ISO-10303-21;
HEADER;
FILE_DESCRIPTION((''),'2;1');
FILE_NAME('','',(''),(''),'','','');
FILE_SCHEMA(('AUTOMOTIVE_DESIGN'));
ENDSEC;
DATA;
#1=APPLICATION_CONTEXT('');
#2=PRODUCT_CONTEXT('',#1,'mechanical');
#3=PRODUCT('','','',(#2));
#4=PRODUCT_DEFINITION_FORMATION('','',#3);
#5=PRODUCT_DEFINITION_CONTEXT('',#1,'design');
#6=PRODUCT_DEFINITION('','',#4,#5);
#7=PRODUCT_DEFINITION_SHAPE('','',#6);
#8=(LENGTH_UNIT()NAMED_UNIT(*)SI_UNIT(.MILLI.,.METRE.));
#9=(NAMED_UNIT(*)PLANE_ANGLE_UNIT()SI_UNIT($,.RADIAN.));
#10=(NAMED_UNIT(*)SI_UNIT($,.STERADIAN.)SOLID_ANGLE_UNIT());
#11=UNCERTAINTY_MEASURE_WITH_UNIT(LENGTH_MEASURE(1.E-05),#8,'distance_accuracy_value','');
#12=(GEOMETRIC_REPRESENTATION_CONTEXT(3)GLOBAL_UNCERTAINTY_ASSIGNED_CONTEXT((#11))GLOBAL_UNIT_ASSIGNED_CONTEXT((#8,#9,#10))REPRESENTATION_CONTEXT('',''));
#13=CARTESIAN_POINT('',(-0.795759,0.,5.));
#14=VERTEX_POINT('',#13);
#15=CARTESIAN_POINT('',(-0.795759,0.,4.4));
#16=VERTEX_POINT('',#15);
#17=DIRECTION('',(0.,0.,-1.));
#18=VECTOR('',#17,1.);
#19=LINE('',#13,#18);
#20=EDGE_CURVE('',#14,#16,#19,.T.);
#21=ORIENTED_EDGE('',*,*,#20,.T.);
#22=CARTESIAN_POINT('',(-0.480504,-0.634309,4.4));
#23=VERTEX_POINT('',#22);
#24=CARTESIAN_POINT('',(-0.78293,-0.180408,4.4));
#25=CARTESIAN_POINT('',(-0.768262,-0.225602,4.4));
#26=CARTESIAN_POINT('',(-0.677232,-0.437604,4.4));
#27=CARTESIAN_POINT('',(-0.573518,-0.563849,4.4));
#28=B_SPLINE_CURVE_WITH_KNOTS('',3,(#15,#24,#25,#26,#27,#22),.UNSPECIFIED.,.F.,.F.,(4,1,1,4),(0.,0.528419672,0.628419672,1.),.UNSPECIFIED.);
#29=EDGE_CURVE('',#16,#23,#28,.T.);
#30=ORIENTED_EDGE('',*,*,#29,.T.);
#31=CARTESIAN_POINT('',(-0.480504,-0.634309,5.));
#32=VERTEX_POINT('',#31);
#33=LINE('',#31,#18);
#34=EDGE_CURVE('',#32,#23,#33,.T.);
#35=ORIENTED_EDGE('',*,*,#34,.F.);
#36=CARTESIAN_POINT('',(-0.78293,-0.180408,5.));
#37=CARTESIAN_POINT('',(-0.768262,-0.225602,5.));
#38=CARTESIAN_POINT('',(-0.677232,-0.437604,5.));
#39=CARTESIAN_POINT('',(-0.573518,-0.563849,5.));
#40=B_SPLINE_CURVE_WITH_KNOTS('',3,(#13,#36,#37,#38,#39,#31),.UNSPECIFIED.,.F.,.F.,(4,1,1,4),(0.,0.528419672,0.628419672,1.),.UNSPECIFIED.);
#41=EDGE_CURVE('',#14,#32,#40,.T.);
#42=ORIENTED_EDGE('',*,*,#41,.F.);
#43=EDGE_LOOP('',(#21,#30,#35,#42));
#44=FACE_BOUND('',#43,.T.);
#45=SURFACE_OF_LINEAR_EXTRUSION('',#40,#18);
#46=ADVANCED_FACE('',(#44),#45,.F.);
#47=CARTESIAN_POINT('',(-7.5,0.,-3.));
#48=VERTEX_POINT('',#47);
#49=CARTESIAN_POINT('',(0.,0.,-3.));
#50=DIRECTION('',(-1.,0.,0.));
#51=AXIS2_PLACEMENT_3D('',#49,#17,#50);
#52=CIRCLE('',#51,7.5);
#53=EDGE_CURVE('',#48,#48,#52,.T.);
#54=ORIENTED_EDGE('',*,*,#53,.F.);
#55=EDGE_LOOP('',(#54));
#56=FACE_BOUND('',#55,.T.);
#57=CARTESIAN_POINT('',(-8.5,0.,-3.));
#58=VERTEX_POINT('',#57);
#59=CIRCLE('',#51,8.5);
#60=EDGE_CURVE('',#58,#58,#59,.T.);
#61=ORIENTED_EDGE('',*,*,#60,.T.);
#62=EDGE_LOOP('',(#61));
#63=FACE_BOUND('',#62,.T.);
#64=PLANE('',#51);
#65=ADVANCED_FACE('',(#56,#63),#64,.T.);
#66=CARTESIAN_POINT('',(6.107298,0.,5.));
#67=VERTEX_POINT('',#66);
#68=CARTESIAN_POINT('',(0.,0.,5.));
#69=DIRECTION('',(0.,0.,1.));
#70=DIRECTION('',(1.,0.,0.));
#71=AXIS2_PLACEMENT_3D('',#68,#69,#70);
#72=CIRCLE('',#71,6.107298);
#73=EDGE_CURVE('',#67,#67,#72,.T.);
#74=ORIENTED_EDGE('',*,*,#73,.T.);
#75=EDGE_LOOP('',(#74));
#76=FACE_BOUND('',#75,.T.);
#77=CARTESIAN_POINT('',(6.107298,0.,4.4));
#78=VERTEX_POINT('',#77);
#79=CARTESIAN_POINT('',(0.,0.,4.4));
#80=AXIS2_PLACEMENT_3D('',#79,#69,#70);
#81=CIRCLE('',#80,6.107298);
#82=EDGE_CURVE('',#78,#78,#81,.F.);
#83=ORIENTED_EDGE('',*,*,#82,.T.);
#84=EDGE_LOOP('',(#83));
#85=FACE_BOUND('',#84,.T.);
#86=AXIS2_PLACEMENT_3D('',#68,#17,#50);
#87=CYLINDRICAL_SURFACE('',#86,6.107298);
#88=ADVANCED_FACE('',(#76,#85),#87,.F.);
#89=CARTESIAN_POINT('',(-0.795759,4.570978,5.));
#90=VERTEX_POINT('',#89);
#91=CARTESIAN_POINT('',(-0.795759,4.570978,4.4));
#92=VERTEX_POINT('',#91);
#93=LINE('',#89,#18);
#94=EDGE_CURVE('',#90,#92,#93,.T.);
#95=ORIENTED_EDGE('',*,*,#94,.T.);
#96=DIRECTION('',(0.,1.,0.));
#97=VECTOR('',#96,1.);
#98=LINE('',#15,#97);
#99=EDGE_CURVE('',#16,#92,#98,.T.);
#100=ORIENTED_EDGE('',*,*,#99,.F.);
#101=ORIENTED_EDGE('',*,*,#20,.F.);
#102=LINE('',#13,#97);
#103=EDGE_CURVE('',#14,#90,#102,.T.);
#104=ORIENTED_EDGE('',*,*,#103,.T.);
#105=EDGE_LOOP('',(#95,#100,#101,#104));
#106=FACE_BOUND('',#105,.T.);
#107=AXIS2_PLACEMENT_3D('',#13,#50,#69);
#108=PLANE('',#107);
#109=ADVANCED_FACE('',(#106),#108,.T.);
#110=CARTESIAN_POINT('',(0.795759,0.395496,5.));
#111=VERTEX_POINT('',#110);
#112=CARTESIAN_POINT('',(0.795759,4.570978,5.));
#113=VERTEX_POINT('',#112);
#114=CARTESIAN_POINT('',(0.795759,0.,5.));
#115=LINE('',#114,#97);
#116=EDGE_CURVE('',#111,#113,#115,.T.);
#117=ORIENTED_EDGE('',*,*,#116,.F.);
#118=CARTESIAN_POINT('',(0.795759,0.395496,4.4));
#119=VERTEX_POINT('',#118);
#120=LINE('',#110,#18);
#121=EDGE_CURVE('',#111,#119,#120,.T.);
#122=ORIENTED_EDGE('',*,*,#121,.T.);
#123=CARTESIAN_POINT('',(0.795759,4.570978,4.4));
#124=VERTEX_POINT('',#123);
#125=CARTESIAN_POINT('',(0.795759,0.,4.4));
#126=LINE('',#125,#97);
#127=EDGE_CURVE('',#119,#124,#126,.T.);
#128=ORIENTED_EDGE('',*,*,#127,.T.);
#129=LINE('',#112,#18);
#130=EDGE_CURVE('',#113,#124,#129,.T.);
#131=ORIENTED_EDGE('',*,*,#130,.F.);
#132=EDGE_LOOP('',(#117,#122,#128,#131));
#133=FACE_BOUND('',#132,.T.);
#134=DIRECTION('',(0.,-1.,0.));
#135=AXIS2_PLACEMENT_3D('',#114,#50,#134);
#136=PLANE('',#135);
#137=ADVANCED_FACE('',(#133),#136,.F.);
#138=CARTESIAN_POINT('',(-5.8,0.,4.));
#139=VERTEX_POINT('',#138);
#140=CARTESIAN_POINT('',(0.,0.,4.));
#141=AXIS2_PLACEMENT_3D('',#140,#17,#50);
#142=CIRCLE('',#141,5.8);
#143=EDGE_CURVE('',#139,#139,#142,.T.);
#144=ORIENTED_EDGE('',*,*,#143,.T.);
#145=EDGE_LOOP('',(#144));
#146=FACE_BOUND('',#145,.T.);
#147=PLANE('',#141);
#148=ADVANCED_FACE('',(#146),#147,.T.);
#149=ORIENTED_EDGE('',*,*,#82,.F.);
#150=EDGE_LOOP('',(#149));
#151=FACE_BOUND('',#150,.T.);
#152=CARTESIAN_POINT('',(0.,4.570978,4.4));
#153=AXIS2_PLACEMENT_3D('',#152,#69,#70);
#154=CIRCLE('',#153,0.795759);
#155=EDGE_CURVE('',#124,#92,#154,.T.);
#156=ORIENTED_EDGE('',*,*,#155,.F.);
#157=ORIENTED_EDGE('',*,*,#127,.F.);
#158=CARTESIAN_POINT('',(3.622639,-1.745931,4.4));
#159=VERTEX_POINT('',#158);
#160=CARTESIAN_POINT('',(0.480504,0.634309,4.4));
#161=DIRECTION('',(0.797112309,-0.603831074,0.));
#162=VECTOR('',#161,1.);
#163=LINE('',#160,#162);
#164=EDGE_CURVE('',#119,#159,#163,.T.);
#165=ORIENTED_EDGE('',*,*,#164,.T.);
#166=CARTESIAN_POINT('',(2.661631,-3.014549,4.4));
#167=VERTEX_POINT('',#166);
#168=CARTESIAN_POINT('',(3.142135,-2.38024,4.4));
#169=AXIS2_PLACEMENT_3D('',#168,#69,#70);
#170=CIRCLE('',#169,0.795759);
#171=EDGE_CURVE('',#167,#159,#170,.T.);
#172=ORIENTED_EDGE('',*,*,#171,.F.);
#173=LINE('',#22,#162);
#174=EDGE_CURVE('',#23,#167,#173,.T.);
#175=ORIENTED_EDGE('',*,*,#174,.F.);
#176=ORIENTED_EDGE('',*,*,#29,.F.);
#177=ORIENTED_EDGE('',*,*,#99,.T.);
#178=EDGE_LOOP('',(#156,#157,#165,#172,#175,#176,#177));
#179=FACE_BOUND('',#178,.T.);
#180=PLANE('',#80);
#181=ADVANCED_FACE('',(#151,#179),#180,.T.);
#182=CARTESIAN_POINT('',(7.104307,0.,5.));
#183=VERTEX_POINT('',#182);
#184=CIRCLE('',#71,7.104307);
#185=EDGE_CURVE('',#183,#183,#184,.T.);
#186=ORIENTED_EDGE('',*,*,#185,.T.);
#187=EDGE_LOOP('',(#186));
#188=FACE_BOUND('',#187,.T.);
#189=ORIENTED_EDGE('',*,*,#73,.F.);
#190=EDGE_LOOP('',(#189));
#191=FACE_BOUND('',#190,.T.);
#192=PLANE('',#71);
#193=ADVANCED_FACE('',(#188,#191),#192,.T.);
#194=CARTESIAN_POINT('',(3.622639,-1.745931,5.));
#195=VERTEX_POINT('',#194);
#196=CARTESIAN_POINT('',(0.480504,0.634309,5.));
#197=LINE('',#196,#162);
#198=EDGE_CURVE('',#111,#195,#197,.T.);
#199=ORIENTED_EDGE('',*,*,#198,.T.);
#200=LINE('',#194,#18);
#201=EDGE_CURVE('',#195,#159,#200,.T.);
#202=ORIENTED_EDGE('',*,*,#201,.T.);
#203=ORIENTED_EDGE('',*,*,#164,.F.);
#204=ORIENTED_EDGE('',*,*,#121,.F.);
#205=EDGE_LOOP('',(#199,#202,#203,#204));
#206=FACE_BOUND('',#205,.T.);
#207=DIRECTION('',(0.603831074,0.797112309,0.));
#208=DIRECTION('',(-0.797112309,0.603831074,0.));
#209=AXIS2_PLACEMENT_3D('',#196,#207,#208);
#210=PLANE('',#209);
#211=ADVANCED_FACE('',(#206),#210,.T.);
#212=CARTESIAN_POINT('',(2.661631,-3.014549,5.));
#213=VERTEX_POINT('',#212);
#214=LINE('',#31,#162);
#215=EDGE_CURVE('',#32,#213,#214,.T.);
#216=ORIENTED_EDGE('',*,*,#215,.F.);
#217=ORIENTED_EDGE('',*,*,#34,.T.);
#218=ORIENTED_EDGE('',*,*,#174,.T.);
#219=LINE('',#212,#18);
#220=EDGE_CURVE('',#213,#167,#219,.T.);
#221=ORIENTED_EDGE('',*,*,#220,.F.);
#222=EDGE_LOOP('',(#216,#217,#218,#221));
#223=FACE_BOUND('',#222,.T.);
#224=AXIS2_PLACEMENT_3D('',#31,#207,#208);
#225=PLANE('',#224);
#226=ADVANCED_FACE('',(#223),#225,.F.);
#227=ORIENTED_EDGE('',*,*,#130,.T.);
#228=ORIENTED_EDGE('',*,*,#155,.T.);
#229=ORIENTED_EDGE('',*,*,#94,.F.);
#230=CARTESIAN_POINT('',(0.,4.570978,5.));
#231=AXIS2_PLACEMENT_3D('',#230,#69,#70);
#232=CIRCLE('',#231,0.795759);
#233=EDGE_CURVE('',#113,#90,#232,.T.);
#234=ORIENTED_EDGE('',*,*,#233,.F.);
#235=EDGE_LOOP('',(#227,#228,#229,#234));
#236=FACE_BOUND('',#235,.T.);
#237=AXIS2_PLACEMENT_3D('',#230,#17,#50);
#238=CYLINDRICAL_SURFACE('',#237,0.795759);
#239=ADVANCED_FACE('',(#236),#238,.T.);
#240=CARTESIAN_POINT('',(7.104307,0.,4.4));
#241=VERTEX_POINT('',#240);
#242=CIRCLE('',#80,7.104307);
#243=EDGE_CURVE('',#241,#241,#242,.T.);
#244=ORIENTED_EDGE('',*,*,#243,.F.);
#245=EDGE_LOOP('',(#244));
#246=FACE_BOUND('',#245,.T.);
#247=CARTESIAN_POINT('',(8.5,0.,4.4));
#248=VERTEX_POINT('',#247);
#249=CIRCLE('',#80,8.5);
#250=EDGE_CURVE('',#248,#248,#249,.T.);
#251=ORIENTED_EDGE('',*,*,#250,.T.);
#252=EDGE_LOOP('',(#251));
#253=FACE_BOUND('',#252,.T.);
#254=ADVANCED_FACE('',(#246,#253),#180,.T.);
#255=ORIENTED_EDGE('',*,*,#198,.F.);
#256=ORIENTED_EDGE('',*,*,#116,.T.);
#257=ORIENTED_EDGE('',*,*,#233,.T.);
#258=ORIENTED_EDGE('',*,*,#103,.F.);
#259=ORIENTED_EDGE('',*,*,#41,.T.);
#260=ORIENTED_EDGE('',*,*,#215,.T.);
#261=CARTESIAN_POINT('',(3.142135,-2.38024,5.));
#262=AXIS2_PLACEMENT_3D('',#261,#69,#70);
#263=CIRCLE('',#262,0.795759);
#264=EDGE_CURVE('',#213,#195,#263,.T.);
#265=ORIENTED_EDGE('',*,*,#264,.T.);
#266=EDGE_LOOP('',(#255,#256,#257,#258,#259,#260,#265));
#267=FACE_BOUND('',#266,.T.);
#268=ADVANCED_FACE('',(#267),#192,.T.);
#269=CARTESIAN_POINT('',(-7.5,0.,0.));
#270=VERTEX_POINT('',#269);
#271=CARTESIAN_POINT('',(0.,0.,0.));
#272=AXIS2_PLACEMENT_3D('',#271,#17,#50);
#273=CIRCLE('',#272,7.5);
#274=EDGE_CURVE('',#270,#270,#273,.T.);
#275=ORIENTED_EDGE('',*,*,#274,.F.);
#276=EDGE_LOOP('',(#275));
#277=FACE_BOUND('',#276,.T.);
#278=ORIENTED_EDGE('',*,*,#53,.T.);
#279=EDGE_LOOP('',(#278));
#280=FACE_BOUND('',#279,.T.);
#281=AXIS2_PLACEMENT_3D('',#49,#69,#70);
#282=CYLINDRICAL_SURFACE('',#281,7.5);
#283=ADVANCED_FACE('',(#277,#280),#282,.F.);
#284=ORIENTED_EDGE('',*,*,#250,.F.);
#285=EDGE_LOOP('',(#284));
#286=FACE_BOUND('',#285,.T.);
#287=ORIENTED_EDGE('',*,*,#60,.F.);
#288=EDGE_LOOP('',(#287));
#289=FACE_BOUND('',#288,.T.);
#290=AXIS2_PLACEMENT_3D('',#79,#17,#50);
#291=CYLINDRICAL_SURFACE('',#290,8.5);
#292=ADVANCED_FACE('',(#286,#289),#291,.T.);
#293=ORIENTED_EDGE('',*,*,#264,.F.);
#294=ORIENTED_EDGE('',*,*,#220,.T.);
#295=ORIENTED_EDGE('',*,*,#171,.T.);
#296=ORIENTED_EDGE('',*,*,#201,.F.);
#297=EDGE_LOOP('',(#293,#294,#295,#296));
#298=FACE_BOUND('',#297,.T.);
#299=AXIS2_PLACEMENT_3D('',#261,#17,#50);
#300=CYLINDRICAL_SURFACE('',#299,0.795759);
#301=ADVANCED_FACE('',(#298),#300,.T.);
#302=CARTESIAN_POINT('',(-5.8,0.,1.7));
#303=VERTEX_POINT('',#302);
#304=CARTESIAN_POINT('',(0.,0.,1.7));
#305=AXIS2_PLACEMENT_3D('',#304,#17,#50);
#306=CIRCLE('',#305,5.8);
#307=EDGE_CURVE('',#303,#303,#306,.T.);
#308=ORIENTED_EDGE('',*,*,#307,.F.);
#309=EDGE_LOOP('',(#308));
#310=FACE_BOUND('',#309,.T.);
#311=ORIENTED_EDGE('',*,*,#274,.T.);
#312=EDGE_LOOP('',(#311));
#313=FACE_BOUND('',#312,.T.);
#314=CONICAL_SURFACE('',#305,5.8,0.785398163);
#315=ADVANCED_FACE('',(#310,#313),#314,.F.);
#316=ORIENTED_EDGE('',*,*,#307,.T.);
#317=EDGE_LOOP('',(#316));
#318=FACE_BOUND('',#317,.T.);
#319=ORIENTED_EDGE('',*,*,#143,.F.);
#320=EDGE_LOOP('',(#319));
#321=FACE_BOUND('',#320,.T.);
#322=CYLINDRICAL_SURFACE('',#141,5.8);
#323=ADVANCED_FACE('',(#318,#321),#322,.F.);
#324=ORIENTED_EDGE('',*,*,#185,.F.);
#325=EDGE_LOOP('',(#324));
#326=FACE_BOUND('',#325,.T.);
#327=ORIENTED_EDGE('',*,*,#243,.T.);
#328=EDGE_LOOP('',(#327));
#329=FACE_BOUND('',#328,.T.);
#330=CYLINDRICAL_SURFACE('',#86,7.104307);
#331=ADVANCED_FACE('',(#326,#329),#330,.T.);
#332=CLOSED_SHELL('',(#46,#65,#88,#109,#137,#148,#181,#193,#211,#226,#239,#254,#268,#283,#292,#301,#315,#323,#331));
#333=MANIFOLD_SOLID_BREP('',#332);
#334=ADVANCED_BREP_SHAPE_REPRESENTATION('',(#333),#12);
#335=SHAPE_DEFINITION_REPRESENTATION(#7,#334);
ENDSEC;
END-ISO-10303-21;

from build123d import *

# Parameters (mm, degrees)
SKETCH1_R           = 8.5
BOSS_EXTRUDE1_DEPTH = 4.4
SKETCH2_R           = 7.104307479
SKETCH2_R_2         = 6.107298405
BOSS_EXTRUDE2_DEPTH = 0.6
SKETCH3_R           = 5.8
CUT_EXTRUDE1_DEPTH  = 4
BOSS_EXTRUDE3_START = 3
SKETCH4_R           = 8.5
SKETCH4_R_2         = 7.5
BOSS_EXTRUDE3_DEPTH = 3


with BuildPart() as part:
    # Sketch1 → Boss-Extrude1 (new body)
    with BuildSketch(Plane.XY):
        Circle(SKETCH1_R)
    extrude(amount=BOSS_EXTRUDE1_DEPTH)

    # Sketch2 → Boss-Extrude2 (add)
    # profile 1 of 2: a face of its own
    with BuildSketch(Plane.XY.offset(4.4)):
        Circle(SKETCH2_R)
        Circle(SKETCH2_R_2, mode=Mode.SUBTRACT)
    # profile 2 of 2: a face of its own
    with BuildSketch(Plane.XY.offset(4.4)):
        with BuildLine():
            Line((-0.79575858, 0), (-0.79575858, 4.570978174))
            ThreePointArc((-0.79575858, 4.570978174), (0, 5.366736754), (0.79575858, 4.570978174))
            Line((0.79575858, 4.570978174), (0.79575858, 0.395496115))
            Line((0.79575858, 0.395496115), (3.622638776, -1.745931242))
            ThreePointArc((3.622638776, -1.745931242), (3.776443977, -2.860743961), (2.661631259, -3.014549161))
            Line((2.661631259, -3.014549161), (-0.480503759, -0.63430896))
            add(Edge.make_bspline(
                [(-0.79575858, 0), (-0.782929945, -0.180408247), (-0.768261528, -0.225601884), (-0.677231987, -0.437603968), (-0.573517685, -0.563848751), (-0.480503759, -0.63430896)],
                knots=[0, 0, 0, 0, 0.528419672, 0.628419672, 1, 1, 1, 1], degree=3))
        make_face()
    extrude(amount=BOSS_EXTRUDE2_DEPTH)

    # Sketch3 → Cut-Extrude1 (cut)
    with BuildSketch(Plane(origin=(0, 0, 0), x_dir=(-1, 0, 0), z_dir=(0, 0, -1))):
        Circle(SKETCH3_R)
    extrude(amount=-CUT_EXTRUDE1_DEPTH, mode=Mode.SUBTRACT)

    # Sketch4 → Boss-Extrude3 (add)
    with BuildSketch(Plane(origin=(0, 0, 0), x_dir=(-1, 0, 0), z_dir=(0, 0, -1)).offset(BOSS_EXTRUDE3_START)):
        Circle(SKETCH4_R)
        Circle(SKETCH4_R_2, mode=Mode.SUBTRACT)
    extrude(amount=-BOSS_EXTRUDE3_DEPTH)

    # Sketch6 → Cut-Revolve1 (revolve, cut)
    with BuildSketch(Plane(origin=(0, 0, 0), x_dir=(1, 0, 0), z_dir=(0, 1, 0)), mode=Mode.PRIVATE) as cut_revolve1_sk:
        Polygon((7.5, 0), (5.8, -1.7), (5.8, 0), align=None)
    revolve(cut_revolve1_sk.sketch.rotate(Axis((0, 0, -5.5), (0, 0, 1)), 180), axis=Axis((0, 0, -5.5), (0, 0, 1)), mode=Mode.SUBTRACT)


solid = part.part
